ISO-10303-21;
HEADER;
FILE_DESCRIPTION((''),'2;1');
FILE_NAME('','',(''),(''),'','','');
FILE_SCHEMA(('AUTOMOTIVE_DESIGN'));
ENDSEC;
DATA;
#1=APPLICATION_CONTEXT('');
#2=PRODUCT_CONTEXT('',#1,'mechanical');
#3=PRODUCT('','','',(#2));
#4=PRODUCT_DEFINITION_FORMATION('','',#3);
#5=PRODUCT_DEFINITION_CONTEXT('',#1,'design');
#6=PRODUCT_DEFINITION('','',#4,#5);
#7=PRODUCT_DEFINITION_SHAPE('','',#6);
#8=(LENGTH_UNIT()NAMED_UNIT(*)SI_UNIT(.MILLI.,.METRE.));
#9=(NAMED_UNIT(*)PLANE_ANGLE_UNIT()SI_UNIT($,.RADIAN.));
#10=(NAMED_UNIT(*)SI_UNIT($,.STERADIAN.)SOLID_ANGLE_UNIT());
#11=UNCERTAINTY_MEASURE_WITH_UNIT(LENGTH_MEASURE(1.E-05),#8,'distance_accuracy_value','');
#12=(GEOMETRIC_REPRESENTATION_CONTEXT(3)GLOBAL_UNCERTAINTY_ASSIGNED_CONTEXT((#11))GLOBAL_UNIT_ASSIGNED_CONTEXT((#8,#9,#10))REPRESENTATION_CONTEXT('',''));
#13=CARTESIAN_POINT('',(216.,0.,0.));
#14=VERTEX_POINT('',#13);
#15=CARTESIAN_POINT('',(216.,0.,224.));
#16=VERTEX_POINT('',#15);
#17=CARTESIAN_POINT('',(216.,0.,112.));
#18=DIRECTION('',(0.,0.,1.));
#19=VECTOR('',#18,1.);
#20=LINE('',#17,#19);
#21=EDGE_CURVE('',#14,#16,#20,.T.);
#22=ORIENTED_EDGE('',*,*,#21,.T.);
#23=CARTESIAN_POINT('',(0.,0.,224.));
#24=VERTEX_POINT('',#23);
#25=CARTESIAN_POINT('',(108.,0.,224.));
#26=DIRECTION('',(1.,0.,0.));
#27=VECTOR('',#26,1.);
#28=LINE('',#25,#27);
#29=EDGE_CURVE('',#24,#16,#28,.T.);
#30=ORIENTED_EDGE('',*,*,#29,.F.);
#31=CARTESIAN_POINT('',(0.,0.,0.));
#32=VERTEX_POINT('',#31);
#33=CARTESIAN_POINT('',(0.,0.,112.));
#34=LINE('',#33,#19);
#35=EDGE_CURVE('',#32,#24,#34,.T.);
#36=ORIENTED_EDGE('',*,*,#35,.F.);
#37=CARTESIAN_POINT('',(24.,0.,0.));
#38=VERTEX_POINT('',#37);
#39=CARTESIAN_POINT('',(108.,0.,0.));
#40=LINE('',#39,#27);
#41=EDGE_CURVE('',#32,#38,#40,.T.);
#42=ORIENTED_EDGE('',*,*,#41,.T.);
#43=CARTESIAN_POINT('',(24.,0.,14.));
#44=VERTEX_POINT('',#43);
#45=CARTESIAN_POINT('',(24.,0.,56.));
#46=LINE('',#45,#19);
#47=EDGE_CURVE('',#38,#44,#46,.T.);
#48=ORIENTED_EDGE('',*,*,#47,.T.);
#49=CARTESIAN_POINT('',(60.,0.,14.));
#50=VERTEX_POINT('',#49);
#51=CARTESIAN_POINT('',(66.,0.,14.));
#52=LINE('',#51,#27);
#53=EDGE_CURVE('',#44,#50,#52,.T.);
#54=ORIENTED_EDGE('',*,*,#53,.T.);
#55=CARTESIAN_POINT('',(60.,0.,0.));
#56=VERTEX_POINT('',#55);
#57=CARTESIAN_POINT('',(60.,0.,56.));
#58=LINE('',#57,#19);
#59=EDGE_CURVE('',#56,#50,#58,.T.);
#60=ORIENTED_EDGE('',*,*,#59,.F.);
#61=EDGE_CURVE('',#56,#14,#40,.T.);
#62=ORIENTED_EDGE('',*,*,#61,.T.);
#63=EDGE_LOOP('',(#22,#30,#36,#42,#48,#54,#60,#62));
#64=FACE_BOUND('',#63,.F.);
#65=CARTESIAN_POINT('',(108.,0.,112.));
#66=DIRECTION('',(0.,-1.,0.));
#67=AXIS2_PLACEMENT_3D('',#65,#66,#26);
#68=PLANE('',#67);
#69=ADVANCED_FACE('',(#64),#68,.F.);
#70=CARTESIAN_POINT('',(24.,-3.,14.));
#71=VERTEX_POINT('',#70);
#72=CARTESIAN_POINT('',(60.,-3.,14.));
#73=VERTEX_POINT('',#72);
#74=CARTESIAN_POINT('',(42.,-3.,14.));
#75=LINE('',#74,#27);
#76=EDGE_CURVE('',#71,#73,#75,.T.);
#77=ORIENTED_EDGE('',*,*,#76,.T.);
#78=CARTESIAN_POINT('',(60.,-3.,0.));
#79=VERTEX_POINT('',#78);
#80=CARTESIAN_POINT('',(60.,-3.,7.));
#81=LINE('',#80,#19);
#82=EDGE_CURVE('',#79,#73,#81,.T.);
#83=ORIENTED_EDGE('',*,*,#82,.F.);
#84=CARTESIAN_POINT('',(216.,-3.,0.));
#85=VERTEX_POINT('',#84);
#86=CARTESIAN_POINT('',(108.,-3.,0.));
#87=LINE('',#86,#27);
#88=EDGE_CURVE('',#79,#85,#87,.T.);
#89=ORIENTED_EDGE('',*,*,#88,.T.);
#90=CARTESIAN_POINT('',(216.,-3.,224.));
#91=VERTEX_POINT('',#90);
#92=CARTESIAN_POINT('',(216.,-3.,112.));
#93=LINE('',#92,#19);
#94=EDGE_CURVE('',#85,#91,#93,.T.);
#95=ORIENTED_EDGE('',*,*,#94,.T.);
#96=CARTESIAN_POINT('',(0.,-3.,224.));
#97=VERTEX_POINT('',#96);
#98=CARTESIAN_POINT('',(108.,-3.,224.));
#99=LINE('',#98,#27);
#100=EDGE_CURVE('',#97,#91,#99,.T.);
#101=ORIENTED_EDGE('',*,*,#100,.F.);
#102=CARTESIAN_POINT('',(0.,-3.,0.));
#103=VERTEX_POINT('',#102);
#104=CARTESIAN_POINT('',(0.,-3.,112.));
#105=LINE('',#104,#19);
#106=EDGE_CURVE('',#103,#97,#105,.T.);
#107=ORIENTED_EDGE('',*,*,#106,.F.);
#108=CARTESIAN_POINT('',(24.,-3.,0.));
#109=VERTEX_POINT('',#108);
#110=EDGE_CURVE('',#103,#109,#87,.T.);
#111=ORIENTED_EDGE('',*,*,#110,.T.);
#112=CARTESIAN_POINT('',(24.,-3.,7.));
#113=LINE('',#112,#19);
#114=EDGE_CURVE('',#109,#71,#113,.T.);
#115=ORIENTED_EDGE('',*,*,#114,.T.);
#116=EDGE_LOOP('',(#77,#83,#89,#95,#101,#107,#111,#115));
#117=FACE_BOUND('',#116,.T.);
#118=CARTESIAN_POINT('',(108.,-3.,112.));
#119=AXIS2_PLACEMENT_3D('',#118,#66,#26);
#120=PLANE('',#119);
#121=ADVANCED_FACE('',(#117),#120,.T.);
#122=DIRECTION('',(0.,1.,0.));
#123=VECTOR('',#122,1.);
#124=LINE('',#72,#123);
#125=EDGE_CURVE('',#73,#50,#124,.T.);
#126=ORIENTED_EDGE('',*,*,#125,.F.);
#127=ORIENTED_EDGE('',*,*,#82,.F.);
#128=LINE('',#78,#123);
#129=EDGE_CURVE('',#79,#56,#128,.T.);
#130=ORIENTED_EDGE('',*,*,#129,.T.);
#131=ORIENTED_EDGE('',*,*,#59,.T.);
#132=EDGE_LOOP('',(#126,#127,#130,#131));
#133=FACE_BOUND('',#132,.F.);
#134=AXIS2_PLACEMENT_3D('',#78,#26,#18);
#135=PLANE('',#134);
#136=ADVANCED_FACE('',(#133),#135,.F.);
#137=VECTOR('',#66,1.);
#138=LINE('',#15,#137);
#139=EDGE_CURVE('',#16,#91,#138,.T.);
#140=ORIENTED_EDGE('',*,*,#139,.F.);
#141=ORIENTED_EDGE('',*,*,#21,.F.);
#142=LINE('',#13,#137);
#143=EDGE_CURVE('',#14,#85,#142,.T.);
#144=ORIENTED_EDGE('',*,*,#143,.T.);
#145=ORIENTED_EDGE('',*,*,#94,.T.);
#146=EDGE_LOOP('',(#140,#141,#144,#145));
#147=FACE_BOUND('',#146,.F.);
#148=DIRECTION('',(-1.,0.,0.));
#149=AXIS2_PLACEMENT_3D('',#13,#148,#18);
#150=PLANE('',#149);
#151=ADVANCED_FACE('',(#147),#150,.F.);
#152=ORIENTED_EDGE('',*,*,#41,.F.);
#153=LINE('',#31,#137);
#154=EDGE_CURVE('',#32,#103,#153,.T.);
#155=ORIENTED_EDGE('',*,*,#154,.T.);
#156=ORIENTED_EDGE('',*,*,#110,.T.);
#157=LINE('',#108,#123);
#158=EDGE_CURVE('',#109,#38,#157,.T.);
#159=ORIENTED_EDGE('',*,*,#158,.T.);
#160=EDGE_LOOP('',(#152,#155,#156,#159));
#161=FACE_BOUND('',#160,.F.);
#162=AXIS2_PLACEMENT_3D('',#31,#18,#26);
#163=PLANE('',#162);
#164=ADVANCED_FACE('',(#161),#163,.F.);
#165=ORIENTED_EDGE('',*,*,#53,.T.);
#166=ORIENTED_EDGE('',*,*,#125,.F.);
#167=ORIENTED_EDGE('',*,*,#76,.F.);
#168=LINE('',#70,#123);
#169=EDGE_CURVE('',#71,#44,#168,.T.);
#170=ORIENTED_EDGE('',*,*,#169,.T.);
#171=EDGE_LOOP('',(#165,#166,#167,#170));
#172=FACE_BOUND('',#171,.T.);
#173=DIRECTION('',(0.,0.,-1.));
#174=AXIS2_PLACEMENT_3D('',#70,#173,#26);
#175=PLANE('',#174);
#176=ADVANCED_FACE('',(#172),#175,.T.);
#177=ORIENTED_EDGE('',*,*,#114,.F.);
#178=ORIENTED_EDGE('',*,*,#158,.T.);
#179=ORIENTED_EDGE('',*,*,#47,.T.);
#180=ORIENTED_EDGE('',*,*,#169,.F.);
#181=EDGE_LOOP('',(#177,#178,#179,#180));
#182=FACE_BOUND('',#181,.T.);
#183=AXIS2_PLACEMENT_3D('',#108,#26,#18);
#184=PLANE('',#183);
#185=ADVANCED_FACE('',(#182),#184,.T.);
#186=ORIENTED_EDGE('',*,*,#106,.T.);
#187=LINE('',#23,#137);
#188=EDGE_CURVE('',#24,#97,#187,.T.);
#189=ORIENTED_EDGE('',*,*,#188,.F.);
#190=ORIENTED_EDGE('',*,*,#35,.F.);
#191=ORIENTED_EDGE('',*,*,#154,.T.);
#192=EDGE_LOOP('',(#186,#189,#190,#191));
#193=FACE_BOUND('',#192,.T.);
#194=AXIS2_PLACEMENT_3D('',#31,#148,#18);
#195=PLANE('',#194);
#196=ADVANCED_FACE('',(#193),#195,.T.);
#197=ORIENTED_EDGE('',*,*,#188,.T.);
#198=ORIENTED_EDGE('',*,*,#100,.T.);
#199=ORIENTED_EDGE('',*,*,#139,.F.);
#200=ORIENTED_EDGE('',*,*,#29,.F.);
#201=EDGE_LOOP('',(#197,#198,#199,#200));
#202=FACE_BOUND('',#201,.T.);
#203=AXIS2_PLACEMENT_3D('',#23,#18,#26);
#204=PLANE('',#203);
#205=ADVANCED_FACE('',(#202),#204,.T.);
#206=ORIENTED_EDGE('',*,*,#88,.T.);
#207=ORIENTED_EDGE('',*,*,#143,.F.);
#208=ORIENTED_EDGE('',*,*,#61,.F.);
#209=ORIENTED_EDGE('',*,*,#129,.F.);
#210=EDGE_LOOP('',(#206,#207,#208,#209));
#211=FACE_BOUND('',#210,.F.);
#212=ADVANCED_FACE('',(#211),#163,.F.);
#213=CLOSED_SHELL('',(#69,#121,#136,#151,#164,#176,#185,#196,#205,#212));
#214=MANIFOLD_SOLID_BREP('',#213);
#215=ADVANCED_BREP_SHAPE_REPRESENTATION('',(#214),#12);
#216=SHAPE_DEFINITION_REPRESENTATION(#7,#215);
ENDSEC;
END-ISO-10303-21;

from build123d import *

# Parameters (mm, degrees)
F0_W     = 216
F0_H     = 224
F1_DEPTH = 3
F2_W     = 36
F2_H     = 14
F3_DEPTH = 3.001


with BuildPart() as f1:
    # F0 (on Front) → F1 (new body)
    with BuildSketch(Plane.XZ):
        with Locations((108, 112)):
            Rectangle(F0_W, F0_H)
    extrude(amount=F1_DEPTH)

    # F2 (on face) → F3 (cut, through all)
    with BuildSketch(Plane.XZ.offset(3)):
        with Locations((42, 7)):
            Rectangle(F2_W, F2_H)
    extrude(amount=-F3_DEPTH, mode=Mode.SUBTRACT)


solid = f1.part
